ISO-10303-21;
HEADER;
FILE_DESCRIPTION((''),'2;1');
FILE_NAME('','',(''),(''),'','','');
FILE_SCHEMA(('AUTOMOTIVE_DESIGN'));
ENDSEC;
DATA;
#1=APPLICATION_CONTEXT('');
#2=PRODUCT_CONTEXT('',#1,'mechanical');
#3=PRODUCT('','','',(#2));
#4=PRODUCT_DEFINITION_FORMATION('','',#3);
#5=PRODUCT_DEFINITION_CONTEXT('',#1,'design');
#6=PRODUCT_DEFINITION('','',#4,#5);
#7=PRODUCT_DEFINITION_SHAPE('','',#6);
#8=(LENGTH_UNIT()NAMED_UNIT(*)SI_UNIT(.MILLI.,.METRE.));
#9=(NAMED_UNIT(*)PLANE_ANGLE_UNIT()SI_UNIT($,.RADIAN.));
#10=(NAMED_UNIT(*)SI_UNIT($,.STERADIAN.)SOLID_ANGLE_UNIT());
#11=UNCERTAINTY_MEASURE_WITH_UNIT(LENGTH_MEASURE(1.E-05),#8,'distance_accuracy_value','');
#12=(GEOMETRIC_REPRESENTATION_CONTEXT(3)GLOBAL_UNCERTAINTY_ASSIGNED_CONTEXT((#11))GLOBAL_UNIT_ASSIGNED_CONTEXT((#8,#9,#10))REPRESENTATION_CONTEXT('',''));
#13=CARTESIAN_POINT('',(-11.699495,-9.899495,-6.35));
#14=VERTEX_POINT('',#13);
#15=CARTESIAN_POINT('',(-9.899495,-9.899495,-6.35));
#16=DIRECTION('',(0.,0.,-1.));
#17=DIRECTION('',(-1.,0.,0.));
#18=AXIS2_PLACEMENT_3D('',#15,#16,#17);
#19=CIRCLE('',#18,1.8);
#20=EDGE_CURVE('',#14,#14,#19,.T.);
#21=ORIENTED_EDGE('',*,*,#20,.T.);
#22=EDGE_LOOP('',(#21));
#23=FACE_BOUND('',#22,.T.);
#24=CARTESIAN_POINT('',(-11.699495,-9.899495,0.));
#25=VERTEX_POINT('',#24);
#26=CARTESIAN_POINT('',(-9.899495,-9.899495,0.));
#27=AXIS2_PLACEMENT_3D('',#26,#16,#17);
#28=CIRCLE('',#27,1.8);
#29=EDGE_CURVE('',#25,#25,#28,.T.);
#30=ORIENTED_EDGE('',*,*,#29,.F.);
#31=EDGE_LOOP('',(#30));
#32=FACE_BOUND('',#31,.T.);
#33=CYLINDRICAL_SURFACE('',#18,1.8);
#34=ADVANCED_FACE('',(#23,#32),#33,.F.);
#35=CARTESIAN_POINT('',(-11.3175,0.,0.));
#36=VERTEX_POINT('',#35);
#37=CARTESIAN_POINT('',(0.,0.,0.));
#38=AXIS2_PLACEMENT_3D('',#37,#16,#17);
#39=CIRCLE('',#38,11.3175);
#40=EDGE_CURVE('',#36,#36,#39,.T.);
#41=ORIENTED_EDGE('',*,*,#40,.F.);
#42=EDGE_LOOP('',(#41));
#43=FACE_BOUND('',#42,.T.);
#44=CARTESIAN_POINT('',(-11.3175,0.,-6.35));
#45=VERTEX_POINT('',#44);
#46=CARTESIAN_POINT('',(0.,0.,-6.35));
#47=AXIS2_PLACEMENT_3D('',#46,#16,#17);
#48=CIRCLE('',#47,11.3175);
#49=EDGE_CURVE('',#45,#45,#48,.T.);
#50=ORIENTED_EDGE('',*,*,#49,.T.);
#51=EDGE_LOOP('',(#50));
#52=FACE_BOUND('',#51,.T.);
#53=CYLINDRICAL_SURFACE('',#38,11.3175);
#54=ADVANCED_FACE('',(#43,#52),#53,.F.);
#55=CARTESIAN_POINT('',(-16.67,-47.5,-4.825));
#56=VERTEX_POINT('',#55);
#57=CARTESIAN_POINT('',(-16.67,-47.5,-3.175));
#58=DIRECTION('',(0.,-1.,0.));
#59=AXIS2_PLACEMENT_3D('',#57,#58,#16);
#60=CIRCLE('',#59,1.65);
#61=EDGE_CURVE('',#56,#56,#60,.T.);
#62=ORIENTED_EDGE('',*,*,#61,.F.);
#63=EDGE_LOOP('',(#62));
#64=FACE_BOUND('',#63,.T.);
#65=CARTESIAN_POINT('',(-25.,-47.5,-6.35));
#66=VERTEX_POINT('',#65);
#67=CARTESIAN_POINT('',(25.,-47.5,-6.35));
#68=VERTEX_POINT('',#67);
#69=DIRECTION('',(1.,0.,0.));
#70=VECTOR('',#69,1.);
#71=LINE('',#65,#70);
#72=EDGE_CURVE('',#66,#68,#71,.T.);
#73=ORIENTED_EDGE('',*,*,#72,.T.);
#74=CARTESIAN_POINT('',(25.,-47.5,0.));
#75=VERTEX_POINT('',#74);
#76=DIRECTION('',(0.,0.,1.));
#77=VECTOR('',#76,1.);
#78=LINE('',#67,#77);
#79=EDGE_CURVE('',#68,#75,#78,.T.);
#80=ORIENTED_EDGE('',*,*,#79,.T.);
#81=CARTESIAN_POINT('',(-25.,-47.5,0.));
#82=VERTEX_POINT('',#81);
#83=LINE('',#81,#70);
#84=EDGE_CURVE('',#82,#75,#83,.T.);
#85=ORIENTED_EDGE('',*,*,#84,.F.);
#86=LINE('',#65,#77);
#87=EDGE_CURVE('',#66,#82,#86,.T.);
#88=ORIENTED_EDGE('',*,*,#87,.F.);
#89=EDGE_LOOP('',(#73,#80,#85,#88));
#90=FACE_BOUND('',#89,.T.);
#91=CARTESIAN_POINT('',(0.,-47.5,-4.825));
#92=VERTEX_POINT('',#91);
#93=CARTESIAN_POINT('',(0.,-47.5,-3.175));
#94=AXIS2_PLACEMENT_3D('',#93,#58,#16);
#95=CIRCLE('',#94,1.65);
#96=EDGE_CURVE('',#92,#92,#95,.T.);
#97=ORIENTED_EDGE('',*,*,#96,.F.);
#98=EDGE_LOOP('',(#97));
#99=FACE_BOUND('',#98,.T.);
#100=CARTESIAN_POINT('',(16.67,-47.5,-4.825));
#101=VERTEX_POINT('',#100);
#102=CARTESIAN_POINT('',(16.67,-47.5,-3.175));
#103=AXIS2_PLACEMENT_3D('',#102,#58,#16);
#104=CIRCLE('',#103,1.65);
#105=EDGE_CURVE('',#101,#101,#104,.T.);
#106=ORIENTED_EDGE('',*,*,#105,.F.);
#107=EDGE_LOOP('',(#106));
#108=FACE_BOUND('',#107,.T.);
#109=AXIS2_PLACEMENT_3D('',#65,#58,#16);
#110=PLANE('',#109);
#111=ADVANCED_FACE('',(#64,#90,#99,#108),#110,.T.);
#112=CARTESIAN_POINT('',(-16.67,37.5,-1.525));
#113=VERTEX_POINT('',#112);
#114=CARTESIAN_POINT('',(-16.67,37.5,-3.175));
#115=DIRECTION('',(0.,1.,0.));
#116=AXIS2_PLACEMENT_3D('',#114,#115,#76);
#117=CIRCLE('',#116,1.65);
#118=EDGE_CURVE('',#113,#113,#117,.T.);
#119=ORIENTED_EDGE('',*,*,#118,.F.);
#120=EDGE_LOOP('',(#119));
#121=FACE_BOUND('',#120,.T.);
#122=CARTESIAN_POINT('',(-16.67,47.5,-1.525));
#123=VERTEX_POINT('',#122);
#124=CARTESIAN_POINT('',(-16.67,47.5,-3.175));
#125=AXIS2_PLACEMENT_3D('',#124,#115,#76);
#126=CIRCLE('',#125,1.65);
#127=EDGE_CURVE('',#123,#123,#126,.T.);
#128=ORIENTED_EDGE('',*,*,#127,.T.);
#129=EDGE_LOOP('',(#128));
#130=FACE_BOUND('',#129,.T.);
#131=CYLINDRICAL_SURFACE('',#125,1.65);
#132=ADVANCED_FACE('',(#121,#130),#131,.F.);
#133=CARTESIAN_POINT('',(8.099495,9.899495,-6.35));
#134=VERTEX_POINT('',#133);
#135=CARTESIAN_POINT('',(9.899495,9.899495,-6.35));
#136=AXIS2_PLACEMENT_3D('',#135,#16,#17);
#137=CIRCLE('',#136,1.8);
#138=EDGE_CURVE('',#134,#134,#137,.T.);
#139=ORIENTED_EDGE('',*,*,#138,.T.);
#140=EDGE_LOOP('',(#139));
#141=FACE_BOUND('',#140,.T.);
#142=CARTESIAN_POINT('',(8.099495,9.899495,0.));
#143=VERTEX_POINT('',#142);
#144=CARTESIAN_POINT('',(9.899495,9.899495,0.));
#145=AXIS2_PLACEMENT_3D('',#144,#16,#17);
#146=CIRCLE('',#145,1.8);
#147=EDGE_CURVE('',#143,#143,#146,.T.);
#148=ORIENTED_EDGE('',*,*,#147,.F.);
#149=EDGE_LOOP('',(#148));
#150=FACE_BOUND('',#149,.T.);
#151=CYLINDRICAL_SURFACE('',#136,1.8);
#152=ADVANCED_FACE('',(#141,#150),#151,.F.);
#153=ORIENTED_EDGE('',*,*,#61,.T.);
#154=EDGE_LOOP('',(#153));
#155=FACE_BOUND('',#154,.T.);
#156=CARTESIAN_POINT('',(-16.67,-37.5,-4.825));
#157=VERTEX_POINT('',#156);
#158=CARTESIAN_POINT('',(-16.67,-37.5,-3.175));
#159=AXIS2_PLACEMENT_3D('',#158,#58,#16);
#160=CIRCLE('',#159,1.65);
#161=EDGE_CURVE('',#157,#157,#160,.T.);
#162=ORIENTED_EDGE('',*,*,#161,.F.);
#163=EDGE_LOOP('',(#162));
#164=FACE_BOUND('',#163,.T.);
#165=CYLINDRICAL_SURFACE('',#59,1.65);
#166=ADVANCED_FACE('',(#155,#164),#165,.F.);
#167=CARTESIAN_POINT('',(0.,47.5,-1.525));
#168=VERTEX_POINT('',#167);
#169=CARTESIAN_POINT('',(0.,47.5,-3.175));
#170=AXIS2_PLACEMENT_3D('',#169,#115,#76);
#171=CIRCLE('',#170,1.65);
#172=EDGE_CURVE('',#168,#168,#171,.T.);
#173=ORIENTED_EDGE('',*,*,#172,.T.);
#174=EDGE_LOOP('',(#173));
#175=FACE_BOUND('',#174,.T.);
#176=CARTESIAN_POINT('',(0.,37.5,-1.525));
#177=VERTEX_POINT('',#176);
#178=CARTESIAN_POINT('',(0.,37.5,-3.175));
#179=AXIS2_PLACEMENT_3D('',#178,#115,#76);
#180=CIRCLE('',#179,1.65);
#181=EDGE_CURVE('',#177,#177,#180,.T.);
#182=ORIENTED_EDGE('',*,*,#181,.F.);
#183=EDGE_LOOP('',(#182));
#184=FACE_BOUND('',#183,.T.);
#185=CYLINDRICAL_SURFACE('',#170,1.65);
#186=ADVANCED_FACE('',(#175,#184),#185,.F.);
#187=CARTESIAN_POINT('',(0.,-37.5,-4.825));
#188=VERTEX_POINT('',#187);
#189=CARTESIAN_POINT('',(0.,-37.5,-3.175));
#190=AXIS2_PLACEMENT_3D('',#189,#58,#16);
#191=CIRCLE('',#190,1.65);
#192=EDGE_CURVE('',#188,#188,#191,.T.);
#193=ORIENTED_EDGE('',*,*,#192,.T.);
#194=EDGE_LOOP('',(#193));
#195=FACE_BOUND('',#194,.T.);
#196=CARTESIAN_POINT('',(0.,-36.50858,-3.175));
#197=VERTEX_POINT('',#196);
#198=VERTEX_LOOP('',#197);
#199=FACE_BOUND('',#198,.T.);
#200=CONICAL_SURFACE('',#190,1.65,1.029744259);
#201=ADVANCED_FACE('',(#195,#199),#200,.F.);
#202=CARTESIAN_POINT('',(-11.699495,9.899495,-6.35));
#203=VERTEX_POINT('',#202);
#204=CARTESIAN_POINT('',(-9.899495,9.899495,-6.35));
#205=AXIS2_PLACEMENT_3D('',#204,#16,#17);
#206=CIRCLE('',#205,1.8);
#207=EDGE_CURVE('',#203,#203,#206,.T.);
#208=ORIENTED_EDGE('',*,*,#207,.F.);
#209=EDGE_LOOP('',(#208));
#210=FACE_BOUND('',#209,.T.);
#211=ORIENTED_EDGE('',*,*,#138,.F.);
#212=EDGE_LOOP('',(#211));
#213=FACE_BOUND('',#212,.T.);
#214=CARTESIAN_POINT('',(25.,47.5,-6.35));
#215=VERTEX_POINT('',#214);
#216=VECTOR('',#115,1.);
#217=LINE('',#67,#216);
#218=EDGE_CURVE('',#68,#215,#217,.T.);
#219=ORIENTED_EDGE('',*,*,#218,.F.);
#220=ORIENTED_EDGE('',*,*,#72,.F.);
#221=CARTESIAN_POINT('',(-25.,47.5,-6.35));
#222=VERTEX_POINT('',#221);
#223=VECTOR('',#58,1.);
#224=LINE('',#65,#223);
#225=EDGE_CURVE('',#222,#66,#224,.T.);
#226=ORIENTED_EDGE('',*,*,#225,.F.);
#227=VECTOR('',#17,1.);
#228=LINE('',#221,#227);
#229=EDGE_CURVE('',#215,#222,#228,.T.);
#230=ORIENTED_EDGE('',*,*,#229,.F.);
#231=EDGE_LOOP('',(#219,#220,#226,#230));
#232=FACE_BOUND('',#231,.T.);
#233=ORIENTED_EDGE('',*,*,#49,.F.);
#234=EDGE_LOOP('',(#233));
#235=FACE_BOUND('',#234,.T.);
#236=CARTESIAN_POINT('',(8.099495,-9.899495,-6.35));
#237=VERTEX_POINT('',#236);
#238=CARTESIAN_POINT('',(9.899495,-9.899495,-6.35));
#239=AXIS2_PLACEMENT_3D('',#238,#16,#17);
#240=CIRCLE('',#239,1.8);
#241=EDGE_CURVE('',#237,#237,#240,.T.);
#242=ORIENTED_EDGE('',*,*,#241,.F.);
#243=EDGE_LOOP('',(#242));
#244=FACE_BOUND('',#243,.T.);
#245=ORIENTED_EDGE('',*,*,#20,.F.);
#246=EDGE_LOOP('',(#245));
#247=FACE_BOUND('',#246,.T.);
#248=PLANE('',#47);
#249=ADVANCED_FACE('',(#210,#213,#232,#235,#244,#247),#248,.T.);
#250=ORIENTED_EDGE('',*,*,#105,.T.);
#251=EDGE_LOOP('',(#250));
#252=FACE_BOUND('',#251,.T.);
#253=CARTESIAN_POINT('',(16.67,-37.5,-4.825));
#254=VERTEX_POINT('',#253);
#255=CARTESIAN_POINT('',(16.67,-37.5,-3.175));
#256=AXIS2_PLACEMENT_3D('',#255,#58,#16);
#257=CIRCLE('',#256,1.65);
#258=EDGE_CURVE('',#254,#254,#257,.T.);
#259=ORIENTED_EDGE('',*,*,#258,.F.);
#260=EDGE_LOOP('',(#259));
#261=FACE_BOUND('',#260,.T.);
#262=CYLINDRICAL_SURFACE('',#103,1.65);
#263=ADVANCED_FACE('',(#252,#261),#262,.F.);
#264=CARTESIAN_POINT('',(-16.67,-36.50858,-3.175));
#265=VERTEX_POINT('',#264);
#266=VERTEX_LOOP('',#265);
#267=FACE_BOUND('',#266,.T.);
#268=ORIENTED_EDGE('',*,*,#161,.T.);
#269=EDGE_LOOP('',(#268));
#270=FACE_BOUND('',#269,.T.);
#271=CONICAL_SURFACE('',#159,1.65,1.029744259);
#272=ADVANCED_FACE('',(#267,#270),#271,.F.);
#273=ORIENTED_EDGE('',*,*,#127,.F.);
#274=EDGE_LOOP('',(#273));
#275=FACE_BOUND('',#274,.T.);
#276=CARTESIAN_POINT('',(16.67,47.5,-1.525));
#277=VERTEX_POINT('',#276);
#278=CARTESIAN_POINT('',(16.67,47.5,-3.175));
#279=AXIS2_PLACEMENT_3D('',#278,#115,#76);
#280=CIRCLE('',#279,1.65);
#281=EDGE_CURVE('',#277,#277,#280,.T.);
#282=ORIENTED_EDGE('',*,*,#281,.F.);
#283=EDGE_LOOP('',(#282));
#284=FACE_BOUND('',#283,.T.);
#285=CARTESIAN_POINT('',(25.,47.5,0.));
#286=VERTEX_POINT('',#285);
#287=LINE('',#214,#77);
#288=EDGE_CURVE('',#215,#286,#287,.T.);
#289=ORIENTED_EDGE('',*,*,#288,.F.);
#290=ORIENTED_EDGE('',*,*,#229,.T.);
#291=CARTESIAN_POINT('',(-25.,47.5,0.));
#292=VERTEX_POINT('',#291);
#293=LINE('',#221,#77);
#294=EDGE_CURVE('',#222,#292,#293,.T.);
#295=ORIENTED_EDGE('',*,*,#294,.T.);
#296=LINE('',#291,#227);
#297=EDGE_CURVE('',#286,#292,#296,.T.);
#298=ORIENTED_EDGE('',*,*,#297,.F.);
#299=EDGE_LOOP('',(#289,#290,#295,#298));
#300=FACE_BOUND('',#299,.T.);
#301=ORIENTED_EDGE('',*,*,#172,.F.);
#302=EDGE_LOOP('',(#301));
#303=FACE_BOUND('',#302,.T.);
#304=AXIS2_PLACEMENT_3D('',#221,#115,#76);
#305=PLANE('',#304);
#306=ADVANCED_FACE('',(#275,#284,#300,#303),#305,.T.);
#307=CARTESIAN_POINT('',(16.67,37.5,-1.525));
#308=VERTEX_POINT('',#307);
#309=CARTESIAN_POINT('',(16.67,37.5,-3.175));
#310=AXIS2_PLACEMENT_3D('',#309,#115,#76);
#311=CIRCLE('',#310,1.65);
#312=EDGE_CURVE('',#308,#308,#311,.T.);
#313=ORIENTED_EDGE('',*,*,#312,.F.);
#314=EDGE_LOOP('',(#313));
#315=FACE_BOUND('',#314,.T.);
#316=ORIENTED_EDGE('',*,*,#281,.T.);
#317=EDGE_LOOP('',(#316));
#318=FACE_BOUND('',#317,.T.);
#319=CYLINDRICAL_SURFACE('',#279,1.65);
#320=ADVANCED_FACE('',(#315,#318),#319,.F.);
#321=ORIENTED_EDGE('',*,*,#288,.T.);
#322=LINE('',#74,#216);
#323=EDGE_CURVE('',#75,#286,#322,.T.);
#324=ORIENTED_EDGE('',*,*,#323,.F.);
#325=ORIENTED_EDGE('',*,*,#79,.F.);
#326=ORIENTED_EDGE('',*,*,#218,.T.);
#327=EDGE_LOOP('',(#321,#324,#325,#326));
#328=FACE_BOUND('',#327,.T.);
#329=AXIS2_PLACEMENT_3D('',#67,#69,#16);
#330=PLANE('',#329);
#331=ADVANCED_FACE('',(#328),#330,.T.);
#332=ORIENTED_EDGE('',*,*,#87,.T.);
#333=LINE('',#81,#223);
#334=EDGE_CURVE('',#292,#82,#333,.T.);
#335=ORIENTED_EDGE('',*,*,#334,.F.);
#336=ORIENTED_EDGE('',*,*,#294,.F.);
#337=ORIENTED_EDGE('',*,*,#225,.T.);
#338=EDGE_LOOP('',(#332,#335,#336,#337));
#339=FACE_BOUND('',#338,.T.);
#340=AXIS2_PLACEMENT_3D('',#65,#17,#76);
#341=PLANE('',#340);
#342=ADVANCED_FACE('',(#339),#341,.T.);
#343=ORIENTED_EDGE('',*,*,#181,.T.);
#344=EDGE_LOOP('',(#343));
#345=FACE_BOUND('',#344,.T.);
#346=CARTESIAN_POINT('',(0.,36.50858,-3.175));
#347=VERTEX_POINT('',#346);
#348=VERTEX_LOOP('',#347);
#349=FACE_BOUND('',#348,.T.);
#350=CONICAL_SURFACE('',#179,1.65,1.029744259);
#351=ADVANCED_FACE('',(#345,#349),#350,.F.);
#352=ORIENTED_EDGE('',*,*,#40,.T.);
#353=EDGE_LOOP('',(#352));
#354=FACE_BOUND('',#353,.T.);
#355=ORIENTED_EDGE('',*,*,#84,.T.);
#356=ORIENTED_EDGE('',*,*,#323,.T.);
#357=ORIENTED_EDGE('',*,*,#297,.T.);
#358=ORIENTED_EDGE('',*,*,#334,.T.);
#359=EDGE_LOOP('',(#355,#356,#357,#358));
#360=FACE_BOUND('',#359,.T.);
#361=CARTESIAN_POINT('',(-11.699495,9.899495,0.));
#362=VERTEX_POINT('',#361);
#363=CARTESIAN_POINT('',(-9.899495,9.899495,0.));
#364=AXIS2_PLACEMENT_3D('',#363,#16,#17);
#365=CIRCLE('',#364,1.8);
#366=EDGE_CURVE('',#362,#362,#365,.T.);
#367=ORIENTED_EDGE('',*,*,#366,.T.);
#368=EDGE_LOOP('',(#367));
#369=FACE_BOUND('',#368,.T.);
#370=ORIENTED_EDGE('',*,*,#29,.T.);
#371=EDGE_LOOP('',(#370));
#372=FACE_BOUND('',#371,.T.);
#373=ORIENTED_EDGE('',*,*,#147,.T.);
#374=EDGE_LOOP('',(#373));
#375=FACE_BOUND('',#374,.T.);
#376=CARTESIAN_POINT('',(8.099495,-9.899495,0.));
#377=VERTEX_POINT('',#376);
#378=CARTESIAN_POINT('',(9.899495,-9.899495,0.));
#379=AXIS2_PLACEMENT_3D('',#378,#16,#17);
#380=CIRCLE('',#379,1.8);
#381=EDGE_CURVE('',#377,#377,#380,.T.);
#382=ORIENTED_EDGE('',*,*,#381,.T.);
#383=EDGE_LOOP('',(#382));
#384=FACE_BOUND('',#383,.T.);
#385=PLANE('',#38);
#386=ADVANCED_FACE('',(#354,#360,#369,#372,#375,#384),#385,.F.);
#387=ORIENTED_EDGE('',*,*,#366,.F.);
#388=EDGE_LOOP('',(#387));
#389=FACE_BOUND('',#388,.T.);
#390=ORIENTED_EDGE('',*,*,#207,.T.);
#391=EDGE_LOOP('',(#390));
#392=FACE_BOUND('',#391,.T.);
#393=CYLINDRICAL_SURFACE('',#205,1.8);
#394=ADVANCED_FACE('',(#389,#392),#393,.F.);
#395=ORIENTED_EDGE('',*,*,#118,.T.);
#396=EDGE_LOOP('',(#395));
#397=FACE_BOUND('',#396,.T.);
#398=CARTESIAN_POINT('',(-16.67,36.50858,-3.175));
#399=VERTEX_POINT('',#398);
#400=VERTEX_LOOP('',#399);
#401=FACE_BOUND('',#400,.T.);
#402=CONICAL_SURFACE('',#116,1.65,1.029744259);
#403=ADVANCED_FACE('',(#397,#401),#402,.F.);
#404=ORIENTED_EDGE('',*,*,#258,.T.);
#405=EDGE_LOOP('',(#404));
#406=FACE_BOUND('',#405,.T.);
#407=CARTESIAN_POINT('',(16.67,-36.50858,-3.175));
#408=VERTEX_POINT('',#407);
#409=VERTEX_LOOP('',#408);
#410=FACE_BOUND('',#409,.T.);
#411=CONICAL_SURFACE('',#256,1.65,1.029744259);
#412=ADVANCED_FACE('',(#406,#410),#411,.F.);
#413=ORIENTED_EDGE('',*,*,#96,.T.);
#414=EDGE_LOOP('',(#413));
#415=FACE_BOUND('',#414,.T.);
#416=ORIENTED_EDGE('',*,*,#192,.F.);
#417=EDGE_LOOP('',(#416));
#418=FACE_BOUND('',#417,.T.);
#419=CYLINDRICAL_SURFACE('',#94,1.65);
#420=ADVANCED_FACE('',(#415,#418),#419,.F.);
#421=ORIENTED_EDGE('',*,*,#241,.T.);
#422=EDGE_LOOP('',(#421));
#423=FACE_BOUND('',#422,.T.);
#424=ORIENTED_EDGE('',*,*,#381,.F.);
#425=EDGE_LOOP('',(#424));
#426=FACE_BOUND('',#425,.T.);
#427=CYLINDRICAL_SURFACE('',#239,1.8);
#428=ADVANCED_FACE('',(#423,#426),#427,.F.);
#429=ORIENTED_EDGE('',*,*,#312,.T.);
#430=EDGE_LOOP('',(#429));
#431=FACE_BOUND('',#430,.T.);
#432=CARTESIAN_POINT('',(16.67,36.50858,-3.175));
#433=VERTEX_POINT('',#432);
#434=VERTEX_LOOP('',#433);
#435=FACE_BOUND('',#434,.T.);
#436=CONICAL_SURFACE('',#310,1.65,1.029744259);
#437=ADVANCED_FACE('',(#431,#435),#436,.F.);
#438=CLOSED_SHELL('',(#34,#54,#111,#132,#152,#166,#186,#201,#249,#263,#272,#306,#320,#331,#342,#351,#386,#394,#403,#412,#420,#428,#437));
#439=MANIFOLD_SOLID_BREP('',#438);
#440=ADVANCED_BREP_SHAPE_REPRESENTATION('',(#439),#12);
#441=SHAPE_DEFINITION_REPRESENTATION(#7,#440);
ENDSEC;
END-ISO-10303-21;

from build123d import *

# Parameters (mm, degrees)
SKETCH1_W                 = 50
SKETCH1_H                 = 95
BOSS_EXTRUDE1_DEPTH       = 6.35
M4X0_7_TAPPED_HOLE1_D     = 3.3
M4X0_7_TAPPED_HOLE1_DEPTH = 10
M4X0_7_TAPPED_HOLE1_TIP   = 0.991420021
M4X0_7_TAPPED_HOLE2_D     = 3.3
M4X0_7_TAPPED_HOLE2_DEPTH = 10
M4X0_7_TAPPED_HOLE2_TIP   = 0.991420021
SKETCH7_R                 = 11.3175
CUT_EXTRUDE1_DEPTH        = 55.051572595
M3_CLEARANCE_HOLE1_D      = 3.6


with BuildPart() as part:
    # Sketch1 → Boss-Extrude1 (new body)
    with BuildSketch(Plane.XY):
        Rectangle(SKETCH1_W, SKETCH1_H)
    extrude(amount=-BOSS_EXTRUDE1_DEPTH)

    # M4x0.7 Tapped Hole1
    with Locations(Plane.XZ.offset(47.5)):
        with Locations((-16.67, -3.175), (16.67, -3.175), (0, -3.175)):
            Hole(M4X0_7_TAPPED_HOLE1_D / 2, depth=M4X0_7_TAPPED_HOLE1_DEPTH)
            with Locations((0, 0, -(M4X0_7_TAPPED_HOLE1_DEPTH + M4X0_7_TAPPED_HOLE1_TIP / 2))):  # 118° drill point
                Cone(0, M4X0_7_TAPPED_HOLE1_D / 2, M4X0_7_TAPPED_HOLE1_TIP, mode=Mode.SUBTRACT)

    # M4x0.7 Tapped Hole2
    with Locations(Plane(origin=(0, 47.5, 0), x_dir=(1, 0, 0), z_dir=(0, 1, 0))):
        with Locations((-16.67, 3.175), (0, 3.175), (16.67, 3.175)):
            Hole(M4X0_7_TAPPED_HOLE2_D / 2, depth=M4X0_7_TAPPED_HOLE2_DEPTH)
            with Locations((0, 0, -(M4X0_7_TAPPED_HOLE2_DEPTH + M4X0_7_TAPPED_HOLE2_TIP / 2))):  # 118° drill point
                Cone(0, M4X0_7_TAPPED_HOLE2_D / 2, M4X0_7_TAPPED_HOLE2_TIP, mode=Mode.SUBTRACT)

    # Sketch7 → Cut-Extrude1 (cut, through all)
    with BuildSketch(Plane(origin=(0, 0, -6.35), x_dir=(-1, 0, 0), z_dir=(0, 0, -1))):
        Circle(SKETCH7_R)
    extrude(amount=-CUT_EXTRUDE1_DEPTH, mode=Mode.SUBTRACT)

    # M3 Clearance Hole1 (through all)
    with Locations(Plane(origin=(0, 0, -6.35), x_dir=(-1, 0, 0), z_dir=(0, 0, -1))):
        with Locations((-9.899494937, 9.899494937), (9.899494937, 9.899494937), (9.899494937, -9.899494937), (-9.899494937, -9.899494937), (0, 0)):
            Hole(M3_CLEARANCE_HOLE1_D / 2)


solid = part.part
